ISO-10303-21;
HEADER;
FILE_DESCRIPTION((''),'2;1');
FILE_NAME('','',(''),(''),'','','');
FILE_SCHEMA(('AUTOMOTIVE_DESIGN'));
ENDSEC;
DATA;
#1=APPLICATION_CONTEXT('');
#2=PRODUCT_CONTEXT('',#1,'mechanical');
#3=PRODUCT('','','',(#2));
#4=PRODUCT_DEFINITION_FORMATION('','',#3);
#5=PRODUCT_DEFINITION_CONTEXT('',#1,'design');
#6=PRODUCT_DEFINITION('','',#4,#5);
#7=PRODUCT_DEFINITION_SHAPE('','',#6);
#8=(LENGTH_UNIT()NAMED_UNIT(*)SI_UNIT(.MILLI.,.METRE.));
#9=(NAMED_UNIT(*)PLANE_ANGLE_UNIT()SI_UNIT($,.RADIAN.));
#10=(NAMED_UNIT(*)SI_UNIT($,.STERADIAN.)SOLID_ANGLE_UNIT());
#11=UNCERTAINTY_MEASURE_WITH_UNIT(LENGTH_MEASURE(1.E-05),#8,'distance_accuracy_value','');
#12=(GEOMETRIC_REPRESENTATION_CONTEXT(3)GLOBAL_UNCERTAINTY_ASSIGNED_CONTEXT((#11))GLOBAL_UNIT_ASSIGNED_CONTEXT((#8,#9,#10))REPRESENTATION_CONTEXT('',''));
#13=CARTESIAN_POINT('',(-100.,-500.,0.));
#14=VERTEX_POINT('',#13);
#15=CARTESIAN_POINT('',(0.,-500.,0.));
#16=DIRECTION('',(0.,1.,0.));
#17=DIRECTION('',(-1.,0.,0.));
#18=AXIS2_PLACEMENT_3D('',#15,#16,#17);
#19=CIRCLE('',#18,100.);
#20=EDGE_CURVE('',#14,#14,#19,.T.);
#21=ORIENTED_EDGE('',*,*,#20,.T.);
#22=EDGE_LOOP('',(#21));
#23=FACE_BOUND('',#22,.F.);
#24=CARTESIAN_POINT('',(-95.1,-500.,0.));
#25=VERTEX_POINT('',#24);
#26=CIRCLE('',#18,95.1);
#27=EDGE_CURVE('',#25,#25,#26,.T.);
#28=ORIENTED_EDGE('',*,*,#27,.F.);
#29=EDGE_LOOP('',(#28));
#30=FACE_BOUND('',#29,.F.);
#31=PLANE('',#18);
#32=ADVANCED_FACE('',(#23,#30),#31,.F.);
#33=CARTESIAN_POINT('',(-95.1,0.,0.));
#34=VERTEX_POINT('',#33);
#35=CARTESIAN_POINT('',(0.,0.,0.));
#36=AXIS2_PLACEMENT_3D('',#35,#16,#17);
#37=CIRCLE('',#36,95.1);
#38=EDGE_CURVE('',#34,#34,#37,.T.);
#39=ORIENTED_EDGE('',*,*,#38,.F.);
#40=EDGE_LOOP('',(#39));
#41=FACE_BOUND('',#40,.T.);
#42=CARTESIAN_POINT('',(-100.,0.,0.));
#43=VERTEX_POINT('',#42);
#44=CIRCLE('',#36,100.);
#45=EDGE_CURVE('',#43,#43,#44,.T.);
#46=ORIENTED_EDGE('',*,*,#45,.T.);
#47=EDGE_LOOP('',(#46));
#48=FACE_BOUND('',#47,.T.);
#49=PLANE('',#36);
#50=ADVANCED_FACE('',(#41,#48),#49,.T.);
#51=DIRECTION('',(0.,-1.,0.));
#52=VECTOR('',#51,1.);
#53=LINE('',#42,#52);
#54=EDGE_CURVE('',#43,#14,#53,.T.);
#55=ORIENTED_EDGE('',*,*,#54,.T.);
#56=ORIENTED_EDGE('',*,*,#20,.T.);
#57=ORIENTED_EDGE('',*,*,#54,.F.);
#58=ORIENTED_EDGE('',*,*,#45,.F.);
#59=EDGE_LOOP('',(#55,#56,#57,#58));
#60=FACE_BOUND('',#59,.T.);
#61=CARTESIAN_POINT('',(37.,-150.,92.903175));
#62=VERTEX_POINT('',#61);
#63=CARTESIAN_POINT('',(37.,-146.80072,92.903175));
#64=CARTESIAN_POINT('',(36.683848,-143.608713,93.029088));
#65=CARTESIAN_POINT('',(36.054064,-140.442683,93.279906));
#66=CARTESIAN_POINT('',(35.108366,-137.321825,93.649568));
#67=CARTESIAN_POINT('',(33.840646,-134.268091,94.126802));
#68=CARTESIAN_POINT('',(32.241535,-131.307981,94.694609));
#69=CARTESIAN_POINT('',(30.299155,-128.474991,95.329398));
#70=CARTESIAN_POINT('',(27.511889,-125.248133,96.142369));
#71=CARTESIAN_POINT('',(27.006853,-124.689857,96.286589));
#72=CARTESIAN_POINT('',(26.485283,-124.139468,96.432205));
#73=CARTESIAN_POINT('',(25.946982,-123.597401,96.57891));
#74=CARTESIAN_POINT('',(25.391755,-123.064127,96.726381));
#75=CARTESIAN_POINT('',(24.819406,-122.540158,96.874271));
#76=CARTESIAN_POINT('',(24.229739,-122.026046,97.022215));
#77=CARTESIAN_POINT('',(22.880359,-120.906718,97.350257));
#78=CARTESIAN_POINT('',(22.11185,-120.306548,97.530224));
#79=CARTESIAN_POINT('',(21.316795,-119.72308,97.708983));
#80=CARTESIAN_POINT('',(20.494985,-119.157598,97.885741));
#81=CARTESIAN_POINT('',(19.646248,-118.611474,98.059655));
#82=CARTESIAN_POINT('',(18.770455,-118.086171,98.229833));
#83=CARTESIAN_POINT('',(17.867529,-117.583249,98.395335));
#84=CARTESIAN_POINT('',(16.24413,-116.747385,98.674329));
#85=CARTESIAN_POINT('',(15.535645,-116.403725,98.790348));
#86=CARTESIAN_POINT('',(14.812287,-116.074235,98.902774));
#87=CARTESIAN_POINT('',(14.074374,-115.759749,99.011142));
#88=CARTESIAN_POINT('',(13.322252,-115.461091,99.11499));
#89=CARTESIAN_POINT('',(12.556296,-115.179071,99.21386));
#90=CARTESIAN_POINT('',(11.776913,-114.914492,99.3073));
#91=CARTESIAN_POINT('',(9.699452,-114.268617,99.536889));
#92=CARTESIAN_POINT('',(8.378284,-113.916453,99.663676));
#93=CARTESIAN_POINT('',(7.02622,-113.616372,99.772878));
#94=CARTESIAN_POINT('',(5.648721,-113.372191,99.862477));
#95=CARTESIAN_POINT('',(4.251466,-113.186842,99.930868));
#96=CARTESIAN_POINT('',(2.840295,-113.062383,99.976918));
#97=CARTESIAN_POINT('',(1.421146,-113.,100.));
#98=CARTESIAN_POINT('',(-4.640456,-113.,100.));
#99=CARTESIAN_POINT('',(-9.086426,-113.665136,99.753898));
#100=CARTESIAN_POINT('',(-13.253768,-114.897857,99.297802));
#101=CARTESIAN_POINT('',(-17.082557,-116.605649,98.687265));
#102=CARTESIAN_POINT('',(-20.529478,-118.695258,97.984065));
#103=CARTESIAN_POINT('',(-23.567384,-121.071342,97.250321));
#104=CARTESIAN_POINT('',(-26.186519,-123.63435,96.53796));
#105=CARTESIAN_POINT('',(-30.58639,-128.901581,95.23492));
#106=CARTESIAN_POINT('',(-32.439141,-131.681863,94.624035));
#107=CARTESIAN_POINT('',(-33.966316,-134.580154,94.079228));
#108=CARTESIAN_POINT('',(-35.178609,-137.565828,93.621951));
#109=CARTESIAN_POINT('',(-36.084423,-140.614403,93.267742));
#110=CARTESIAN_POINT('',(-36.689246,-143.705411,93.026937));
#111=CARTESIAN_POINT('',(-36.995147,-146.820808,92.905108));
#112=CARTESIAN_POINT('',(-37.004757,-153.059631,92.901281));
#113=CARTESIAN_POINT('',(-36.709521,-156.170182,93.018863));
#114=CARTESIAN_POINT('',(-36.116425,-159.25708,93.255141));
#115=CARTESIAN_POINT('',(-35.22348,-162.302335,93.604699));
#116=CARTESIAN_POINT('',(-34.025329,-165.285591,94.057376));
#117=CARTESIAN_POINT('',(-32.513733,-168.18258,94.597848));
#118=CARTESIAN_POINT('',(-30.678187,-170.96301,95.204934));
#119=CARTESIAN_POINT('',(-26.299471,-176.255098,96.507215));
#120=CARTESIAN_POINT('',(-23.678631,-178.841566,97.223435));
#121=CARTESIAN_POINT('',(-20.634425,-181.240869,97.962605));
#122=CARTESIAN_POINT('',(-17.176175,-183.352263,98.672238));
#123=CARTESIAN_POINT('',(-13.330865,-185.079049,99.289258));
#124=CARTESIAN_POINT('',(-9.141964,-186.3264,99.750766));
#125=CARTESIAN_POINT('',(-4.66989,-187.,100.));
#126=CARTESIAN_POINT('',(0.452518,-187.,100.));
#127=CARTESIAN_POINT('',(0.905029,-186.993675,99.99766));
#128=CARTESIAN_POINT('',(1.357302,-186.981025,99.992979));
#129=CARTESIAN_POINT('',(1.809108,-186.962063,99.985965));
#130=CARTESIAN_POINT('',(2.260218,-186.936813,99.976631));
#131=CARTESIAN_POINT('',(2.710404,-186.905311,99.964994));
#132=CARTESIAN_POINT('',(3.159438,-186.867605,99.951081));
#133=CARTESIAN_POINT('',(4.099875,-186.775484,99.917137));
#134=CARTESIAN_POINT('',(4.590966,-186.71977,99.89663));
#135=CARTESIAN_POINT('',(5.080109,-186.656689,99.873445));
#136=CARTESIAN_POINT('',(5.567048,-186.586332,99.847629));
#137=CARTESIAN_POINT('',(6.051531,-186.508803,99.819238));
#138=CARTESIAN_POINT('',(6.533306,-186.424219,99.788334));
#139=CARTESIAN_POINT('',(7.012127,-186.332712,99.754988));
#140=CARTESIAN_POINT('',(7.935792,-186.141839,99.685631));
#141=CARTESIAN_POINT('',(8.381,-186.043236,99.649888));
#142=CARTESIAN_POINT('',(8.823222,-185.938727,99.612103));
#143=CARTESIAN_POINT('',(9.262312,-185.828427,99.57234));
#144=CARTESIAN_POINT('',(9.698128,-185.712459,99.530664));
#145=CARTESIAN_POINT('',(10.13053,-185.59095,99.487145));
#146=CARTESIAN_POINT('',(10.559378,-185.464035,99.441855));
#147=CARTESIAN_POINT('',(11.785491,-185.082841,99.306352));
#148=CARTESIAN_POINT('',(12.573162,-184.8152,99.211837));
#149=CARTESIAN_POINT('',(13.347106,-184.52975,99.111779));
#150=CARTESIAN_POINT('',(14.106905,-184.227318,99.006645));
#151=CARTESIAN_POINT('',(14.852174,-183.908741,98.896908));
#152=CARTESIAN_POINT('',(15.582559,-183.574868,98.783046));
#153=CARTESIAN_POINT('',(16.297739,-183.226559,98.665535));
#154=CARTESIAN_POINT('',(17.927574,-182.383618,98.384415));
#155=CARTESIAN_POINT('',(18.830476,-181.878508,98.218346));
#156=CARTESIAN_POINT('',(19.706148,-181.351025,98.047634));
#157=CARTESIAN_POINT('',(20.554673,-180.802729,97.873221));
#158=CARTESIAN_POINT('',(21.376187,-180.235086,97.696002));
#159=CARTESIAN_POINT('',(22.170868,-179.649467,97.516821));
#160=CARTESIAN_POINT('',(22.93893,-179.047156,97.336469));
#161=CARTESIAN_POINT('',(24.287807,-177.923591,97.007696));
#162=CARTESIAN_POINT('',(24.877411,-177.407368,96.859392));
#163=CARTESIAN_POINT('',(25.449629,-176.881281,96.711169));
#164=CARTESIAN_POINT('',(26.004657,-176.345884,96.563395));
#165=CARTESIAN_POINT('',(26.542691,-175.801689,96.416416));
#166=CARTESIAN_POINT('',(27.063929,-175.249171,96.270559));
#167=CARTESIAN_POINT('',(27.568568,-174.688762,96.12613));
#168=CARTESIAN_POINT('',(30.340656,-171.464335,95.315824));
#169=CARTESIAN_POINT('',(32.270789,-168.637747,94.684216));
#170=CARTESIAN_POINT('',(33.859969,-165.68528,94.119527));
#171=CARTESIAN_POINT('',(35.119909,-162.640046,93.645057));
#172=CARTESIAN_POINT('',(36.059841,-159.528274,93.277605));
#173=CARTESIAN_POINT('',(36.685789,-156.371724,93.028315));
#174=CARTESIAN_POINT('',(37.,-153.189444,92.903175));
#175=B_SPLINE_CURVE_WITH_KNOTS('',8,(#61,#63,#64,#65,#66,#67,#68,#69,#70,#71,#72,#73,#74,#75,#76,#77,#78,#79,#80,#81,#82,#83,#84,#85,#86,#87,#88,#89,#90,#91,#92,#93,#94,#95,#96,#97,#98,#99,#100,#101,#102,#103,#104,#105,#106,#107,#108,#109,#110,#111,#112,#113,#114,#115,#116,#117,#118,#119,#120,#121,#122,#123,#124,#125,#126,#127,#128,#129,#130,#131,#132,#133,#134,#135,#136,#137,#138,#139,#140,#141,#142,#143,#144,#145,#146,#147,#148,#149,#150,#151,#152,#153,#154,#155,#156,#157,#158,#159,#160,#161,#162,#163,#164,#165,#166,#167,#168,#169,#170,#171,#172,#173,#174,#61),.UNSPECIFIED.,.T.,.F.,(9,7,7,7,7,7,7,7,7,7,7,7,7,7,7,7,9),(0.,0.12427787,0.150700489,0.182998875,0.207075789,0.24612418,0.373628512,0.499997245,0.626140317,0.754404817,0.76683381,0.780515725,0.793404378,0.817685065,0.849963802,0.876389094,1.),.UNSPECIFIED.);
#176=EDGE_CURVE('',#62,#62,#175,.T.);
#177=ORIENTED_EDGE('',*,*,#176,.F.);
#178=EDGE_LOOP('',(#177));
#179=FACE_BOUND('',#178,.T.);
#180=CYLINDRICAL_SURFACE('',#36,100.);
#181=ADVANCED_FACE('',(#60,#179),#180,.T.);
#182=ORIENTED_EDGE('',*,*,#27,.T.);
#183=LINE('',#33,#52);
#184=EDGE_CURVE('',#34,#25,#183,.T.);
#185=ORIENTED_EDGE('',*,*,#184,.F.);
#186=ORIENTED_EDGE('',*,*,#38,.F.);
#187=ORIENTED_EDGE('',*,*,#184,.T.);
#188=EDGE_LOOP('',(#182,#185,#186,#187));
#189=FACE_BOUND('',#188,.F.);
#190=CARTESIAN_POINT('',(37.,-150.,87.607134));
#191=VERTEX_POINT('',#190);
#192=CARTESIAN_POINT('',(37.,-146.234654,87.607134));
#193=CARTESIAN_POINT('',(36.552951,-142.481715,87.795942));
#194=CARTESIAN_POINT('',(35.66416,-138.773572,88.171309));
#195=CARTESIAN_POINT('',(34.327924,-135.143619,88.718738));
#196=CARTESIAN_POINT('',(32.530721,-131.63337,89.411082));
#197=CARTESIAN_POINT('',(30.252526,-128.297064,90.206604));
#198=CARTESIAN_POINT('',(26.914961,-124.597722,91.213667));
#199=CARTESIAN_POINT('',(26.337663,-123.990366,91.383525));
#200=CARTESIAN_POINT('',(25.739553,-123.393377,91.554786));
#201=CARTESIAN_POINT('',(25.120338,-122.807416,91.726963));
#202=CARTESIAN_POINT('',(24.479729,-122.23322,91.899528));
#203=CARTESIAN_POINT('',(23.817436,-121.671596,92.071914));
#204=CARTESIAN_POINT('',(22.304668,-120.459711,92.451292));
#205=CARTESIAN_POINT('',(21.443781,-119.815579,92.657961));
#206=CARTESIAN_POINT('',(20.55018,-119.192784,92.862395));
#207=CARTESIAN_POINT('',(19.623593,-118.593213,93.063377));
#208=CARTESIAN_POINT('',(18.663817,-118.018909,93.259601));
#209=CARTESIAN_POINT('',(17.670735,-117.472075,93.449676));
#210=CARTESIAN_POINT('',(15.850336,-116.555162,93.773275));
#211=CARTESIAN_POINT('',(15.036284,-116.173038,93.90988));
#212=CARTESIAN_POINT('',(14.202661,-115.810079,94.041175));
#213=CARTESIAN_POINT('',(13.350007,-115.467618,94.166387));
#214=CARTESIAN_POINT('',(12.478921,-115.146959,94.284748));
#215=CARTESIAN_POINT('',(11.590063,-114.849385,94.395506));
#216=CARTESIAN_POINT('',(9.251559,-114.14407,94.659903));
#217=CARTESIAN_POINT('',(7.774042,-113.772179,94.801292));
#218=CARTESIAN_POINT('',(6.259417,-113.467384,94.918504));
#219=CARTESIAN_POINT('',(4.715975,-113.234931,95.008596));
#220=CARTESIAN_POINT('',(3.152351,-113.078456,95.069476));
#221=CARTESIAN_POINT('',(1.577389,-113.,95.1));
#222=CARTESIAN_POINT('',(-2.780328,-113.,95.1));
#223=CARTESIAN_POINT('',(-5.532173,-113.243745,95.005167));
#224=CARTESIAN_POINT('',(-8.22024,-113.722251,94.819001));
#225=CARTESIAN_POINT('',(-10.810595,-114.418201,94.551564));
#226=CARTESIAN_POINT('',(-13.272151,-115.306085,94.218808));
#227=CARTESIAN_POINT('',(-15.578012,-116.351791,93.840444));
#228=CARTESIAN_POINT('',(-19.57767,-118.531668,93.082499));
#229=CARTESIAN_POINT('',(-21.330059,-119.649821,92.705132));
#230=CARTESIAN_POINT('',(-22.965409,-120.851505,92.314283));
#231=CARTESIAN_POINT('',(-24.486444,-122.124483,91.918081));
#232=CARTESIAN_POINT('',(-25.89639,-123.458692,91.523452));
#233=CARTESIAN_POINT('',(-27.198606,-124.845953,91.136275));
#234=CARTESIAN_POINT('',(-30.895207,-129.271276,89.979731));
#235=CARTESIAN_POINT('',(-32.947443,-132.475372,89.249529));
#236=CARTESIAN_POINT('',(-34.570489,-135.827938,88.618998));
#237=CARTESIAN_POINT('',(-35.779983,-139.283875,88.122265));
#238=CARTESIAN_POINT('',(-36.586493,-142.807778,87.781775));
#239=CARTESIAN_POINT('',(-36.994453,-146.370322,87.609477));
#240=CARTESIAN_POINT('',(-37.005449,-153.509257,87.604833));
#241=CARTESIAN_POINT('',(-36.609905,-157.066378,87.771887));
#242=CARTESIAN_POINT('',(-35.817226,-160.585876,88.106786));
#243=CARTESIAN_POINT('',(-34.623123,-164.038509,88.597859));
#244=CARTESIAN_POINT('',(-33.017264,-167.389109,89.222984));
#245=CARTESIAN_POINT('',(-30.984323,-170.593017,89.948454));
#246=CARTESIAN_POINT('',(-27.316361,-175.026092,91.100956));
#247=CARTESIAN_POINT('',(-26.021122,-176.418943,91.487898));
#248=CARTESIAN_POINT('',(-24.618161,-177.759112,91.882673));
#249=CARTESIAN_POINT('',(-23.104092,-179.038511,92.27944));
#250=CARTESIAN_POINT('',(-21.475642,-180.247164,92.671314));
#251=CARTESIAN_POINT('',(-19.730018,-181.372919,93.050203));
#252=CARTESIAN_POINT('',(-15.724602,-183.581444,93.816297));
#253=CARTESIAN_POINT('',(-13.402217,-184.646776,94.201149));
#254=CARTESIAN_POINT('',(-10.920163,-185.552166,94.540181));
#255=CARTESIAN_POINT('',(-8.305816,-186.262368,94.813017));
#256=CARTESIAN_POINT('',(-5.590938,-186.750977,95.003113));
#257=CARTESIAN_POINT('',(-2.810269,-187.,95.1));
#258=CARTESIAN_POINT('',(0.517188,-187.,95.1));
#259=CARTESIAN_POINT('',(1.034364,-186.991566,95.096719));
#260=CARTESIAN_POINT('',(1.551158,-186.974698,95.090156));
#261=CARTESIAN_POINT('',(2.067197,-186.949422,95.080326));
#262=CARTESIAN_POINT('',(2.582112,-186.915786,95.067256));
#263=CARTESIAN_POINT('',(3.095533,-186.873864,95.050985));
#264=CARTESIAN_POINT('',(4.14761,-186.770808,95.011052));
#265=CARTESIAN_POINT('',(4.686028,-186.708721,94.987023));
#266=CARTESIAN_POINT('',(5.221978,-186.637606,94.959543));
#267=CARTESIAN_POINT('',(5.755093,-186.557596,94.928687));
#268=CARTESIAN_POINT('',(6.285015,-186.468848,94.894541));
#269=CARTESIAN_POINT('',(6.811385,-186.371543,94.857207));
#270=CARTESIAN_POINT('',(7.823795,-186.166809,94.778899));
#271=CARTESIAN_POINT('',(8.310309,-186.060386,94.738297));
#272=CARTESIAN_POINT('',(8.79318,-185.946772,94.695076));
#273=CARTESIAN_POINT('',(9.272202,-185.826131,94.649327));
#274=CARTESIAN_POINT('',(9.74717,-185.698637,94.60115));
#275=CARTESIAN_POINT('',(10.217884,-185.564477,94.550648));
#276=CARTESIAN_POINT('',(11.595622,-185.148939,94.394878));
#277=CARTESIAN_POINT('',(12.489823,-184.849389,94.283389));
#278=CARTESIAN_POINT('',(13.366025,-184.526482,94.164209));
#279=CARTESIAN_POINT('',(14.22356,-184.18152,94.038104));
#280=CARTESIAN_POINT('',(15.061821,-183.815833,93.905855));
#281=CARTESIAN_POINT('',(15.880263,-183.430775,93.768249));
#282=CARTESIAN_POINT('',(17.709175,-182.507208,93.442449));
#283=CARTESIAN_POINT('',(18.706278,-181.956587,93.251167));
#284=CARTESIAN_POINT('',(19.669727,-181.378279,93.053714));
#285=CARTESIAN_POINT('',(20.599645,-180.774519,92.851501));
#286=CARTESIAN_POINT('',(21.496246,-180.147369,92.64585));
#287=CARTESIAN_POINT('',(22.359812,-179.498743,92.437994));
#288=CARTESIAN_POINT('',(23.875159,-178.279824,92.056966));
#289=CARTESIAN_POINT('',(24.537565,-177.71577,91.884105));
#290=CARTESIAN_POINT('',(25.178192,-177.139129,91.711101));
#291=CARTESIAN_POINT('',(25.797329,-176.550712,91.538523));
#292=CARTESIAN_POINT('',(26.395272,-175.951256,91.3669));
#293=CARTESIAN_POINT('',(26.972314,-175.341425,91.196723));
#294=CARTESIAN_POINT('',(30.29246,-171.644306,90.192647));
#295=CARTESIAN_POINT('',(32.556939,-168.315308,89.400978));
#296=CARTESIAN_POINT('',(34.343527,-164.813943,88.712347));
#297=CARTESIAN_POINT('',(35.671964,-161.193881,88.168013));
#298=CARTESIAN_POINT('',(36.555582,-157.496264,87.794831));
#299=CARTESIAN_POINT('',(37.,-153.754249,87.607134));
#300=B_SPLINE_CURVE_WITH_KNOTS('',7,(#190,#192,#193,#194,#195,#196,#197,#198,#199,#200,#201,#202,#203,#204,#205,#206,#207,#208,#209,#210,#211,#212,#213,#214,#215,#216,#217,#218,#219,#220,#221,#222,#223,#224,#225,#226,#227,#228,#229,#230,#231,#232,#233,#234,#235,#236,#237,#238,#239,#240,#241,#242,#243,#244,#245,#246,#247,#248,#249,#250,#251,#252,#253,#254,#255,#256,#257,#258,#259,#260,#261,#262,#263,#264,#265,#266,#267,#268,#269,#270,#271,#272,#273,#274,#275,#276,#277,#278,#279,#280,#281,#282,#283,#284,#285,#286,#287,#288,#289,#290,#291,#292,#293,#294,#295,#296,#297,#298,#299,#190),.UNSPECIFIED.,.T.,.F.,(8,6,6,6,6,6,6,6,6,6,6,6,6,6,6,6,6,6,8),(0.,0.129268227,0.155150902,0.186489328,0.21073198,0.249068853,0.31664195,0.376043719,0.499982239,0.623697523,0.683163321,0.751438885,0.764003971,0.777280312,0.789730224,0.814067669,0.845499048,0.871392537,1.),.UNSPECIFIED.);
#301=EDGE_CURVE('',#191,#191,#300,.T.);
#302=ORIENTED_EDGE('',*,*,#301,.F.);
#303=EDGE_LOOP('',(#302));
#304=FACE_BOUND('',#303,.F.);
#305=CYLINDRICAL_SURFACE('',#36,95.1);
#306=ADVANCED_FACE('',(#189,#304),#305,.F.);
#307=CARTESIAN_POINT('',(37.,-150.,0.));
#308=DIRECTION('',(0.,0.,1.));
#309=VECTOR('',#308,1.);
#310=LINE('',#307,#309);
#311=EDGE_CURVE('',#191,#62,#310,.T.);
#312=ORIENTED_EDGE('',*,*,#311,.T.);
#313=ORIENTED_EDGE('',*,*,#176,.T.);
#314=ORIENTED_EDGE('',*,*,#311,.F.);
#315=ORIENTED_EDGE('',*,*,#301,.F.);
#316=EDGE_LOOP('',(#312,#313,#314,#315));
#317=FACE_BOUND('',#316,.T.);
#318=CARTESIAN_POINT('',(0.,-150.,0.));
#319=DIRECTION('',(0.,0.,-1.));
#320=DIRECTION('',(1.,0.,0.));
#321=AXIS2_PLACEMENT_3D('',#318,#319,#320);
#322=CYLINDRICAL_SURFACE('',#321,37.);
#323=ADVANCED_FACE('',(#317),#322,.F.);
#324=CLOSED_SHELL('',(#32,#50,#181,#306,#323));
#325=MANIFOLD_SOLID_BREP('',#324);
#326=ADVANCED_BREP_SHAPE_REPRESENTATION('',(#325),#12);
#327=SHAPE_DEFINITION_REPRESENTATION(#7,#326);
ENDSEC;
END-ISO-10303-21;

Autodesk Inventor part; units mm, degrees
ref_plane "YZ Plane" through (0, 0, 0) normal (1, 0, 0) x (0, 1, 0)
ref_plane "XZ Plane" through (0, 0, 0) normal (0, 1, 0) x (-1, 0, 0)
ref_plane "XY Plane" through (0, 0, 0) normal (0, 0, 1) x (1, 0, 0)
sketch "Skizze1" plane through (0, 0, 0) normal (0, 1, 0) x (-1, 0, 0)
  circle A0 centre (0, 0) radius 100
  circle A1 centre (0, 0) radius 95.1
  dimension "d0" = 200
  dimension "d1" = 4.9
extrude "Extrusion1" add sketch "Skizze1" against normal blind 500
sketch "Skizze2" plane through (0, 0, 0) normal (0, 0, 1) x (1, 0, 0)
  line L0 (0, -224.4) -> (0, 37.4) projected
  circle A0 centre (0, -150) radius 37
  point P0 (0, 0)
  dimension "d4" = 74
  dimension "d6" = 150
extrude "Extrusion2" cut sketch "Skizze2" along normal through all
equation "\"d0\" = kg_diameter"
equation "\"d1\" = kg_thickness"
equation "\"kg_diameter\" = 200"
equation "\"kg_thickness\" = 4.9"
equation "\"ht_thickness\" = 1.9"
equation "\"case_thickness\" = 18"
equation "\"gap_slide\" = 0.2"
equation "\"gap_air\" = 1"
equation "\"bore_diameter\" = 73"
equation "\"gap_fit\" = 0.1"
equation "\"mdf_thickness\" = 6"
equation "\"tape_width\" = 15"
equation "\"tape_thickness\" = 3"
equation "\"inner_thickness\" = 15"
equation "\"inner_depth\" = 255"
properties part number "Zyklon_Basis"
